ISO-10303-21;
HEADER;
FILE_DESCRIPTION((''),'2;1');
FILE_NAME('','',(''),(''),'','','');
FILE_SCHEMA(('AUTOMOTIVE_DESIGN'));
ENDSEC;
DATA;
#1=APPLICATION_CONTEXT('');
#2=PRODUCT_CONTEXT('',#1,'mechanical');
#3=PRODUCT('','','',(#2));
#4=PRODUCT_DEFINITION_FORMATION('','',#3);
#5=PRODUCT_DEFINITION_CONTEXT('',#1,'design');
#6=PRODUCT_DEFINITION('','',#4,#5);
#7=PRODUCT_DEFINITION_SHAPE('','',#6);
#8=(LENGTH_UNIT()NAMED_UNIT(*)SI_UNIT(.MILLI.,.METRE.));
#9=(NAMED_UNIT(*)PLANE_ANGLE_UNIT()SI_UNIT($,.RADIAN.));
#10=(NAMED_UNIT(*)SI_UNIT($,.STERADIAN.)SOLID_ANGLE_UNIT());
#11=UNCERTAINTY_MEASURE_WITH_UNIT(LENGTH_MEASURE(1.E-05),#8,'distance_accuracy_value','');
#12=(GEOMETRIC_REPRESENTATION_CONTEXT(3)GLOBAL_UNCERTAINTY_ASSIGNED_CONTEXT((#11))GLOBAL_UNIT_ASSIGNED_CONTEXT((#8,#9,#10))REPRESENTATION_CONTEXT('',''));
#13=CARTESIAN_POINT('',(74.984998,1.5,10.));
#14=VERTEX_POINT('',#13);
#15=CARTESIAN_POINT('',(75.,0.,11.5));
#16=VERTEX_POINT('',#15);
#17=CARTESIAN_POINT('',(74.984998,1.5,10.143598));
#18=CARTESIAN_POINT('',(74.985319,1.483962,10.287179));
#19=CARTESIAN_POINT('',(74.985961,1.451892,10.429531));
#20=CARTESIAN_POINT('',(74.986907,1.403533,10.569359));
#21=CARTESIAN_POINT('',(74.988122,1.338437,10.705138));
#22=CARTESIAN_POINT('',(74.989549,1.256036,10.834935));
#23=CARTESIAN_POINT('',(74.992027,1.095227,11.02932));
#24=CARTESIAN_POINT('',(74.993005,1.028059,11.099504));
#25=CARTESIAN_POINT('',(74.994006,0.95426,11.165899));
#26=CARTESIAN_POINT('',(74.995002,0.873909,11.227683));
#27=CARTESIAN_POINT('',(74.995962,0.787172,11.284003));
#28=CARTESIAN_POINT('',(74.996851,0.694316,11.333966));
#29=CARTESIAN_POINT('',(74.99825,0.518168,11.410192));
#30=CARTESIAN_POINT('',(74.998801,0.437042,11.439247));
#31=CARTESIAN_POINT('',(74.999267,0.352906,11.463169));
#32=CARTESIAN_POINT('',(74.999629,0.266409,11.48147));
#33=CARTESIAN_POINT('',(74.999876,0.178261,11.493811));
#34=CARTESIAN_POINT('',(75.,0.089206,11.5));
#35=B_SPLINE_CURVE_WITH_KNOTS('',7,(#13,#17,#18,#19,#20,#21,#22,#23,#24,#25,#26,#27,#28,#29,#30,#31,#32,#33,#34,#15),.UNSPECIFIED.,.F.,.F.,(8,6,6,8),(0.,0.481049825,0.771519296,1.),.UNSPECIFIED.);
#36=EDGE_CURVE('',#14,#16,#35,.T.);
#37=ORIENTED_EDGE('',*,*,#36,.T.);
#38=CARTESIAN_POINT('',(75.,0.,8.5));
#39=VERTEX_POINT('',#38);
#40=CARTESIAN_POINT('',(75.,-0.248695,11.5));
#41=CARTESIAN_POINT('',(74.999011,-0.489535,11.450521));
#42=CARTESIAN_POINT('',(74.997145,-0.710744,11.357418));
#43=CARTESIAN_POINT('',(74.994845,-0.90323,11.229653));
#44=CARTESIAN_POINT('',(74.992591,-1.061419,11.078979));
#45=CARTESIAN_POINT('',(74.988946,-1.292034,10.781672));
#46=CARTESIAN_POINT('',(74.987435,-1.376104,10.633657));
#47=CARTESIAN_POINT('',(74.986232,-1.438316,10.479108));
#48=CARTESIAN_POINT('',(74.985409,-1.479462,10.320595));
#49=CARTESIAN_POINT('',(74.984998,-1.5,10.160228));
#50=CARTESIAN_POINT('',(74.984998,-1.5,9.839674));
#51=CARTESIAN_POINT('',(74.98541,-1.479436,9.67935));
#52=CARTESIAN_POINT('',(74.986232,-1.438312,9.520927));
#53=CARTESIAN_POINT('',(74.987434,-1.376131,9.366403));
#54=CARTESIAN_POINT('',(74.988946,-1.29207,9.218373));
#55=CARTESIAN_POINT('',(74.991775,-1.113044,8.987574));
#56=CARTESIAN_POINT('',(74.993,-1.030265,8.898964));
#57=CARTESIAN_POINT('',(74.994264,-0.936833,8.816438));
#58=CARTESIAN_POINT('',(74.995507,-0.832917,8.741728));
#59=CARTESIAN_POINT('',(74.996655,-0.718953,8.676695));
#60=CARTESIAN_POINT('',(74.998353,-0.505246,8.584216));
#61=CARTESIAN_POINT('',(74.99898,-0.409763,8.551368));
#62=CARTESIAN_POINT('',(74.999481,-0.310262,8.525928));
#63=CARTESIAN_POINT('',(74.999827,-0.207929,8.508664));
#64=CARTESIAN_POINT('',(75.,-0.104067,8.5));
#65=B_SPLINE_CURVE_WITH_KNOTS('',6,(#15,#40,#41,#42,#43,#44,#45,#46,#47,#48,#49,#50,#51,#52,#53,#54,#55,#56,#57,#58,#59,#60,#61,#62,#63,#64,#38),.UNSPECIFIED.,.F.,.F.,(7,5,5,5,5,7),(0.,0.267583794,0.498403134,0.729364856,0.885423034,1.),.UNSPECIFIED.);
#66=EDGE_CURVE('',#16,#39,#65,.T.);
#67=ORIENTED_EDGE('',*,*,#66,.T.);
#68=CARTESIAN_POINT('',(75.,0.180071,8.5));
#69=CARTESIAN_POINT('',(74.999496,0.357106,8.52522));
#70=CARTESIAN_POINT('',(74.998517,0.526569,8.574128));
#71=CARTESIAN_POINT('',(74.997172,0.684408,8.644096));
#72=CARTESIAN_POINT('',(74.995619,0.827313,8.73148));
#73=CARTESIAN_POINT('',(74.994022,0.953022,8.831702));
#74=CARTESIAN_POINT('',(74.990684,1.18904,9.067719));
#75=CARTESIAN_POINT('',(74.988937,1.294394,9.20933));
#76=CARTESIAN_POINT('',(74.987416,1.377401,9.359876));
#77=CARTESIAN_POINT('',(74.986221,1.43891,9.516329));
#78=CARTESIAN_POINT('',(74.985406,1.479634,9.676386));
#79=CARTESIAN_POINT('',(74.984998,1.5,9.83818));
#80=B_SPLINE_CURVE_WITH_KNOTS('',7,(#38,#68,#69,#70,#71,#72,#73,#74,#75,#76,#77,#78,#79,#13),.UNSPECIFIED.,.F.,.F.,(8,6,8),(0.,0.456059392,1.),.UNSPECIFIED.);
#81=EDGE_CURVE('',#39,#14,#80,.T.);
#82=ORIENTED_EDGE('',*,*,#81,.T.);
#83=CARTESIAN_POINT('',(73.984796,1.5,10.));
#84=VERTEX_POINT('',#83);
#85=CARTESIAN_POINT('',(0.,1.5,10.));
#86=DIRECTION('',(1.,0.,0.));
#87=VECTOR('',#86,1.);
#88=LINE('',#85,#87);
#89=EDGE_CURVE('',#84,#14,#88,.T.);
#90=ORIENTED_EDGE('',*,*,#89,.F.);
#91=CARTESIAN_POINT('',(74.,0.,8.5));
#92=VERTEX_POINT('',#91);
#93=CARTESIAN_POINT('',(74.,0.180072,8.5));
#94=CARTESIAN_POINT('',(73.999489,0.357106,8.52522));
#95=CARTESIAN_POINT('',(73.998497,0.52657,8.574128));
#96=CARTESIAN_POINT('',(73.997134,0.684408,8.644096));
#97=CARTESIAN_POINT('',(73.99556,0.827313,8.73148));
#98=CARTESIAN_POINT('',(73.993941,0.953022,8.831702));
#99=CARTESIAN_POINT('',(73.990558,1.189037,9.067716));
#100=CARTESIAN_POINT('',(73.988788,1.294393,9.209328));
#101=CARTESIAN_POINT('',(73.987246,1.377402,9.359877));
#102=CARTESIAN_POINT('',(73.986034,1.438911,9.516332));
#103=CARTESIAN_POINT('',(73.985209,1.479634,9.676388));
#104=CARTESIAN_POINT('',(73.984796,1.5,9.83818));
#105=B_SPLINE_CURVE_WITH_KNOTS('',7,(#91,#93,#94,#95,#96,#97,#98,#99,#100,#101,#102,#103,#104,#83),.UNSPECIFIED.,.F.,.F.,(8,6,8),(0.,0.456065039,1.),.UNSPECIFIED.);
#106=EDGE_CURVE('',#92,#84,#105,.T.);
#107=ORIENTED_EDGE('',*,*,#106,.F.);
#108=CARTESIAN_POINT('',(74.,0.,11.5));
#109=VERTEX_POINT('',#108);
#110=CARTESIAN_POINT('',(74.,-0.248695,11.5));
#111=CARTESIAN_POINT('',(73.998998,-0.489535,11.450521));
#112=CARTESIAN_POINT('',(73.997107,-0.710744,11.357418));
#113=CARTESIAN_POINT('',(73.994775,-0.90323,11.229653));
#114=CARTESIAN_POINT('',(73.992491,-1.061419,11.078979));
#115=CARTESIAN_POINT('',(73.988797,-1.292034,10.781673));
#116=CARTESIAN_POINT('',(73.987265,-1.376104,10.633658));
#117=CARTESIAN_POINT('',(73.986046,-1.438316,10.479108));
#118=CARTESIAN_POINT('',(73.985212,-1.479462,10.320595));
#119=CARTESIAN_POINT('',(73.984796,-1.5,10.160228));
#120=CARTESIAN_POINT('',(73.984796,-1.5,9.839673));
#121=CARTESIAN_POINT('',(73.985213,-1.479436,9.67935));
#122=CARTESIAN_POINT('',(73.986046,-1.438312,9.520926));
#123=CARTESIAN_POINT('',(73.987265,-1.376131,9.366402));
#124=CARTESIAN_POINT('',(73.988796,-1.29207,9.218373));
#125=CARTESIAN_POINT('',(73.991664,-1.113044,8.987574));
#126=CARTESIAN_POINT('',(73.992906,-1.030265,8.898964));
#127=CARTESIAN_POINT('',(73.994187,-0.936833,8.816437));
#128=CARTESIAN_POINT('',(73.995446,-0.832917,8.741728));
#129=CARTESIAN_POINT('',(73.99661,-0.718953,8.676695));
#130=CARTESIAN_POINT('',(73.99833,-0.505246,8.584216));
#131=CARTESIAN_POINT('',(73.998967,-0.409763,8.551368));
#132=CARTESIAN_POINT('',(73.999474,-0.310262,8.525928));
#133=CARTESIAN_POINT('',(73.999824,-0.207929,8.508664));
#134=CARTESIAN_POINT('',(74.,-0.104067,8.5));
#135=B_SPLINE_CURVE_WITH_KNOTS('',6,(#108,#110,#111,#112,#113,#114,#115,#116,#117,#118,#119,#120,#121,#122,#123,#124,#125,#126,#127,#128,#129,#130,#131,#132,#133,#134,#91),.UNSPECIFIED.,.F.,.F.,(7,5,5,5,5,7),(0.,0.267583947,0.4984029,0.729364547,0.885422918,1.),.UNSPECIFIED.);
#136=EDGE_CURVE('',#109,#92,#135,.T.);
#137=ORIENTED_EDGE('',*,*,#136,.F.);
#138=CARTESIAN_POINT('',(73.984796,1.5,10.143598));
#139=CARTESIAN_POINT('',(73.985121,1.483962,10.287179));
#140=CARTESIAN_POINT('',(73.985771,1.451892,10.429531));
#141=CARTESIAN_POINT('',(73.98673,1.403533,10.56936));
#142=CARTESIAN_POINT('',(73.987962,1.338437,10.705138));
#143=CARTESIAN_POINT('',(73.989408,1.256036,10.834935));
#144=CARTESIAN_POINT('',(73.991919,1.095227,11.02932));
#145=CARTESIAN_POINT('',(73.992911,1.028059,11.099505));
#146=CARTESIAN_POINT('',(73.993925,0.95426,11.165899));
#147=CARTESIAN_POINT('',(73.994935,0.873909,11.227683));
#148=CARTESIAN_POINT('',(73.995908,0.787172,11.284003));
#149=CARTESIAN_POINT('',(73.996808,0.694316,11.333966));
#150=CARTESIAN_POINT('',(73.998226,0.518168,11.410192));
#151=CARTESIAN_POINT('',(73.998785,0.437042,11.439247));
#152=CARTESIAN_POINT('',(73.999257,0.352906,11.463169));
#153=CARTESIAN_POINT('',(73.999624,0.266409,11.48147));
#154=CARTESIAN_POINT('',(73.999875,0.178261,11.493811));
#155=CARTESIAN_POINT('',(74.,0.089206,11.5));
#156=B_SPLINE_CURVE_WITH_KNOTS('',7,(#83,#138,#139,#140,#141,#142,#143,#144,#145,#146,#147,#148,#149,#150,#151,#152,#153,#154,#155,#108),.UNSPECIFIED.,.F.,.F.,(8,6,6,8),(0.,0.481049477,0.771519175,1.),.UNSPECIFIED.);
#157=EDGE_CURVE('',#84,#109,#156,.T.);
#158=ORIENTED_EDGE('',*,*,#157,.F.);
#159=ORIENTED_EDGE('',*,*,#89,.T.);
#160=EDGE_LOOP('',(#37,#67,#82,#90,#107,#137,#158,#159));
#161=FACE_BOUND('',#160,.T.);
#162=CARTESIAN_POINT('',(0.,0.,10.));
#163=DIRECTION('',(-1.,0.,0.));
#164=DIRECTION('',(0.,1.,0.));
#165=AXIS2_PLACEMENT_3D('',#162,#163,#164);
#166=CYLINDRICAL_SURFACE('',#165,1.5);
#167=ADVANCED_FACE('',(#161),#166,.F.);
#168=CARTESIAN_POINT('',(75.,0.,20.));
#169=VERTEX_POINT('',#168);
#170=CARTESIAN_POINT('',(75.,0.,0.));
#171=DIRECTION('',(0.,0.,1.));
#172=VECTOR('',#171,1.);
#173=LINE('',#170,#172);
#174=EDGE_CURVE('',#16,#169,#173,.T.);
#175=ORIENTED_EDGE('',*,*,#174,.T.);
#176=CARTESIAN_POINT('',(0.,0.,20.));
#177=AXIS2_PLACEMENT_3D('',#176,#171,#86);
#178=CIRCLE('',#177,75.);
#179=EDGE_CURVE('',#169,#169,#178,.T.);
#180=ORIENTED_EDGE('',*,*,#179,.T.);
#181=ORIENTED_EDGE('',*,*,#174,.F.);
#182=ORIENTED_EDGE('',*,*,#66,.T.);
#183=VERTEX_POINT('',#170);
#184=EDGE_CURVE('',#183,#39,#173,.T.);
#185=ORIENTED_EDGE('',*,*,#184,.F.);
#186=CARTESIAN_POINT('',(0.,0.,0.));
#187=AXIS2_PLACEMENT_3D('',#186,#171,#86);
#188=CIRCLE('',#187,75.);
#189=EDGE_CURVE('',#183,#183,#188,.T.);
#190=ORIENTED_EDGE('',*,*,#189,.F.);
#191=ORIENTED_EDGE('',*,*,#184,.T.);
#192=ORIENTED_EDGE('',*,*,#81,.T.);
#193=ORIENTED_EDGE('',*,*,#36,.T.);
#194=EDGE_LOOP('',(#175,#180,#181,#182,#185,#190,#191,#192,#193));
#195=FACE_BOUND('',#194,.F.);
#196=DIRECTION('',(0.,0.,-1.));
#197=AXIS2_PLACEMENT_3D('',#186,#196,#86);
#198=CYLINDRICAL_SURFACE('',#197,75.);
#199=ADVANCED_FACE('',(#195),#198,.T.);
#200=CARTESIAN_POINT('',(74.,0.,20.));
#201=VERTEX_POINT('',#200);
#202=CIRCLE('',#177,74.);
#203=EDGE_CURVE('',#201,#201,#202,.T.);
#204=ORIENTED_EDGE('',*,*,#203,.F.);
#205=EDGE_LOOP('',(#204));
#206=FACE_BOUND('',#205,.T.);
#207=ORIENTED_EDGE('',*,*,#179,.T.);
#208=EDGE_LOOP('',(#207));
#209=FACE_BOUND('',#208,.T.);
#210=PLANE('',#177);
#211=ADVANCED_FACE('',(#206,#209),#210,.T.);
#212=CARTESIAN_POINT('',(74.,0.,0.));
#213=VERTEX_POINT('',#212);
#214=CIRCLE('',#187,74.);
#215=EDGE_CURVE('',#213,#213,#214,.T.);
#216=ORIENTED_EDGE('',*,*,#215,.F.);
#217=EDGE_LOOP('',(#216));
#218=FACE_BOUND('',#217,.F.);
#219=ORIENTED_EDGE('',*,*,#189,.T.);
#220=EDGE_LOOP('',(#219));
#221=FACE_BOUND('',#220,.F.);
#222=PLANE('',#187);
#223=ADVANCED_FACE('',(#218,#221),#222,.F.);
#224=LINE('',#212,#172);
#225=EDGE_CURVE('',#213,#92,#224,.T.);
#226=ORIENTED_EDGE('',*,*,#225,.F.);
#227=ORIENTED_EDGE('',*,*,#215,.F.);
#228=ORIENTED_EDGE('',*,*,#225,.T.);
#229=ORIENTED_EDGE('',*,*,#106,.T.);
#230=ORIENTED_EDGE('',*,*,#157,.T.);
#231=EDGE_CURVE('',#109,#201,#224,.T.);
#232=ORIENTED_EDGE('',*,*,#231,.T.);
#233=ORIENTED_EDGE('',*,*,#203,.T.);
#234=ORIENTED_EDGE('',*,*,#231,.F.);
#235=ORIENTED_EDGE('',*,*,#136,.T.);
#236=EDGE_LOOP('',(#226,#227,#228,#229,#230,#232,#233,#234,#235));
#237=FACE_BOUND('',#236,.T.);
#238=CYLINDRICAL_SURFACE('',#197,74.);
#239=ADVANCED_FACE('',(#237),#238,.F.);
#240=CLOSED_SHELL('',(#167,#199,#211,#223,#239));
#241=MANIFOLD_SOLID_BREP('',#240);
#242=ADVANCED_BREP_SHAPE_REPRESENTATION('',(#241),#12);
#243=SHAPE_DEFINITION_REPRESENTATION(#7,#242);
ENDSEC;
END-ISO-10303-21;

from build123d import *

# Parameters (mm, degrees)
F0_R     = 75
F0_R_2   = 74
F1_DEPTH = 20
F2_R     = 1.5
F3_DEPTH = 75.001


with BuildPart() as f1:
    # F0 (on Top) → F1 (new body)
    with BuildSketch(Plane.XY):
        Circle(F0_R)
        Circle(F0_R_2, mode=Mode.SUBTRACT)
    extrude(amount=F1_DEPTH)

    # F2 (on Right) → F3 (cut, through all)
    with BuildSketch(Plane.YZ):
        with Locations((0, 10)):
            Circle(F2_R)
    extrude(amount=F3_DEPTH, mode=Mode.SUBTRACT)


solid = f1.part
